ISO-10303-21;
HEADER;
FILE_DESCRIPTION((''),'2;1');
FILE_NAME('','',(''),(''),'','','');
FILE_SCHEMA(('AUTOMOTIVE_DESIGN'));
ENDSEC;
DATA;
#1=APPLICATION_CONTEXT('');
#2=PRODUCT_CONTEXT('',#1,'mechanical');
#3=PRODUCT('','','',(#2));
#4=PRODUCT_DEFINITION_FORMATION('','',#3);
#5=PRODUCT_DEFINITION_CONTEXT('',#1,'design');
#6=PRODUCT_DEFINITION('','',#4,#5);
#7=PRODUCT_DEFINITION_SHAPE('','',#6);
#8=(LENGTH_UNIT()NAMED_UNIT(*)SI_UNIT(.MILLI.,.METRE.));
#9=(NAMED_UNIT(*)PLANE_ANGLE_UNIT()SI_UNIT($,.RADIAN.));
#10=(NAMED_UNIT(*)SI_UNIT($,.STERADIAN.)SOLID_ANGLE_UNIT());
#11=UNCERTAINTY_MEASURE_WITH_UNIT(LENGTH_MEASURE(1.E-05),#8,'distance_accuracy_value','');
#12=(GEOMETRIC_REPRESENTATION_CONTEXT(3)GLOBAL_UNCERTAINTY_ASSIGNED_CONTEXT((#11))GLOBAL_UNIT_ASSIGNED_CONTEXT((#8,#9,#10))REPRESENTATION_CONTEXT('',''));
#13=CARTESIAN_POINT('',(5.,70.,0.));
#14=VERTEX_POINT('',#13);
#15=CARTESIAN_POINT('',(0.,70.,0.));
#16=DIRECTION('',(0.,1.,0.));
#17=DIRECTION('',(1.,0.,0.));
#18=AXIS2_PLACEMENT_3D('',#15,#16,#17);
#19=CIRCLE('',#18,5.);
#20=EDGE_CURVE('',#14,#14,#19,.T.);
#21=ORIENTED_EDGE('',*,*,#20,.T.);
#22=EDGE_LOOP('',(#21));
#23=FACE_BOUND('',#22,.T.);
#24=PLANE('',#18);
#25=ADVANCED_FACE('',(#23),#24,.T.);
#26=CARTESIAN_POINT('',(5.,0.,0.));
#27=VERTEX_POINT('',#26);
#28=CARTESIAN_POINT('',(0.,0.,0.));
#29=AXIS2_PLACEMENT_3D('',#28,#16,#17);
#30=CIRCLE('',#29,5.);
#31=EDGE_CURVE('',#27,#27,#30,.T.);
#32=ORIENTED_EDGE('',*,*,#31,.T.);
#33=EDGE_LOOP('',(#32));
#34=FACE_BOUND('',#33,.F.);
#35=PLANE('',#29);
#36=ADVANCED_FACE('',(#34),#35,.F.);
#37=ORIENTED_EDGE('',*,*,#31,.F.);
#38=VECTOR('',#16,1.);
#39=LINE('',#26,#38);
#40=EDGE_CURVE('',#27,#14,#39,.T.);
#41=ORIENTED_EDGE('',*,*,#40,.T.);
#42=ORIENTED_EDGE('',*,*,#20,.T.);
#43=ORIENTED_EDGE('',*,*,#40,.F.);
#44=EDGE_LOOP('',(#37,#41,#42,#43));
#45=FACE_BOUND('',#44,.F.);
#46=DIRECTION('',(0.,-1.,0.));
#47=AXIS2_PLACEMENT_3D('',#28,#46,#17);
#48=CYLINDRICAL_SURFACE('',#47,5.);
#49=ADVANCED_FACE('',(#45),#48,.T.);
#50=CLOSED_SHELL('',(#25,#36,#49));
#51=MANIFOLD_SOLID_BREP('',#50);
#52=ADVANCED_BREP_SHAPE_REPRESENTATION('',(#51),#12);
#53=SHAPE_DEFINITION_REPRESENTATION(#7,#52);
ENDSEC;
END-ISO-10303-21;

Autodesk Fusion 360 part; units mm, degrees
sketch "Sketch1" plane through (0, 0, 0) normal (0, 1, 0) x (1, 0, 0)
  circle A0 centre (0, 0) radius 5
  dimension "d1" = 10
extrude "Extrude1" add sketch "Sketch1" along normal blind 70 makes body 1
copy_body "Body->Comp1" bodies 1 removing the originals makes body 2 in component "Component"
component "Component" placed x (1, 0, 0) y (0, 1, 0) z (0, 0, 1) at (0, 0, 0)
